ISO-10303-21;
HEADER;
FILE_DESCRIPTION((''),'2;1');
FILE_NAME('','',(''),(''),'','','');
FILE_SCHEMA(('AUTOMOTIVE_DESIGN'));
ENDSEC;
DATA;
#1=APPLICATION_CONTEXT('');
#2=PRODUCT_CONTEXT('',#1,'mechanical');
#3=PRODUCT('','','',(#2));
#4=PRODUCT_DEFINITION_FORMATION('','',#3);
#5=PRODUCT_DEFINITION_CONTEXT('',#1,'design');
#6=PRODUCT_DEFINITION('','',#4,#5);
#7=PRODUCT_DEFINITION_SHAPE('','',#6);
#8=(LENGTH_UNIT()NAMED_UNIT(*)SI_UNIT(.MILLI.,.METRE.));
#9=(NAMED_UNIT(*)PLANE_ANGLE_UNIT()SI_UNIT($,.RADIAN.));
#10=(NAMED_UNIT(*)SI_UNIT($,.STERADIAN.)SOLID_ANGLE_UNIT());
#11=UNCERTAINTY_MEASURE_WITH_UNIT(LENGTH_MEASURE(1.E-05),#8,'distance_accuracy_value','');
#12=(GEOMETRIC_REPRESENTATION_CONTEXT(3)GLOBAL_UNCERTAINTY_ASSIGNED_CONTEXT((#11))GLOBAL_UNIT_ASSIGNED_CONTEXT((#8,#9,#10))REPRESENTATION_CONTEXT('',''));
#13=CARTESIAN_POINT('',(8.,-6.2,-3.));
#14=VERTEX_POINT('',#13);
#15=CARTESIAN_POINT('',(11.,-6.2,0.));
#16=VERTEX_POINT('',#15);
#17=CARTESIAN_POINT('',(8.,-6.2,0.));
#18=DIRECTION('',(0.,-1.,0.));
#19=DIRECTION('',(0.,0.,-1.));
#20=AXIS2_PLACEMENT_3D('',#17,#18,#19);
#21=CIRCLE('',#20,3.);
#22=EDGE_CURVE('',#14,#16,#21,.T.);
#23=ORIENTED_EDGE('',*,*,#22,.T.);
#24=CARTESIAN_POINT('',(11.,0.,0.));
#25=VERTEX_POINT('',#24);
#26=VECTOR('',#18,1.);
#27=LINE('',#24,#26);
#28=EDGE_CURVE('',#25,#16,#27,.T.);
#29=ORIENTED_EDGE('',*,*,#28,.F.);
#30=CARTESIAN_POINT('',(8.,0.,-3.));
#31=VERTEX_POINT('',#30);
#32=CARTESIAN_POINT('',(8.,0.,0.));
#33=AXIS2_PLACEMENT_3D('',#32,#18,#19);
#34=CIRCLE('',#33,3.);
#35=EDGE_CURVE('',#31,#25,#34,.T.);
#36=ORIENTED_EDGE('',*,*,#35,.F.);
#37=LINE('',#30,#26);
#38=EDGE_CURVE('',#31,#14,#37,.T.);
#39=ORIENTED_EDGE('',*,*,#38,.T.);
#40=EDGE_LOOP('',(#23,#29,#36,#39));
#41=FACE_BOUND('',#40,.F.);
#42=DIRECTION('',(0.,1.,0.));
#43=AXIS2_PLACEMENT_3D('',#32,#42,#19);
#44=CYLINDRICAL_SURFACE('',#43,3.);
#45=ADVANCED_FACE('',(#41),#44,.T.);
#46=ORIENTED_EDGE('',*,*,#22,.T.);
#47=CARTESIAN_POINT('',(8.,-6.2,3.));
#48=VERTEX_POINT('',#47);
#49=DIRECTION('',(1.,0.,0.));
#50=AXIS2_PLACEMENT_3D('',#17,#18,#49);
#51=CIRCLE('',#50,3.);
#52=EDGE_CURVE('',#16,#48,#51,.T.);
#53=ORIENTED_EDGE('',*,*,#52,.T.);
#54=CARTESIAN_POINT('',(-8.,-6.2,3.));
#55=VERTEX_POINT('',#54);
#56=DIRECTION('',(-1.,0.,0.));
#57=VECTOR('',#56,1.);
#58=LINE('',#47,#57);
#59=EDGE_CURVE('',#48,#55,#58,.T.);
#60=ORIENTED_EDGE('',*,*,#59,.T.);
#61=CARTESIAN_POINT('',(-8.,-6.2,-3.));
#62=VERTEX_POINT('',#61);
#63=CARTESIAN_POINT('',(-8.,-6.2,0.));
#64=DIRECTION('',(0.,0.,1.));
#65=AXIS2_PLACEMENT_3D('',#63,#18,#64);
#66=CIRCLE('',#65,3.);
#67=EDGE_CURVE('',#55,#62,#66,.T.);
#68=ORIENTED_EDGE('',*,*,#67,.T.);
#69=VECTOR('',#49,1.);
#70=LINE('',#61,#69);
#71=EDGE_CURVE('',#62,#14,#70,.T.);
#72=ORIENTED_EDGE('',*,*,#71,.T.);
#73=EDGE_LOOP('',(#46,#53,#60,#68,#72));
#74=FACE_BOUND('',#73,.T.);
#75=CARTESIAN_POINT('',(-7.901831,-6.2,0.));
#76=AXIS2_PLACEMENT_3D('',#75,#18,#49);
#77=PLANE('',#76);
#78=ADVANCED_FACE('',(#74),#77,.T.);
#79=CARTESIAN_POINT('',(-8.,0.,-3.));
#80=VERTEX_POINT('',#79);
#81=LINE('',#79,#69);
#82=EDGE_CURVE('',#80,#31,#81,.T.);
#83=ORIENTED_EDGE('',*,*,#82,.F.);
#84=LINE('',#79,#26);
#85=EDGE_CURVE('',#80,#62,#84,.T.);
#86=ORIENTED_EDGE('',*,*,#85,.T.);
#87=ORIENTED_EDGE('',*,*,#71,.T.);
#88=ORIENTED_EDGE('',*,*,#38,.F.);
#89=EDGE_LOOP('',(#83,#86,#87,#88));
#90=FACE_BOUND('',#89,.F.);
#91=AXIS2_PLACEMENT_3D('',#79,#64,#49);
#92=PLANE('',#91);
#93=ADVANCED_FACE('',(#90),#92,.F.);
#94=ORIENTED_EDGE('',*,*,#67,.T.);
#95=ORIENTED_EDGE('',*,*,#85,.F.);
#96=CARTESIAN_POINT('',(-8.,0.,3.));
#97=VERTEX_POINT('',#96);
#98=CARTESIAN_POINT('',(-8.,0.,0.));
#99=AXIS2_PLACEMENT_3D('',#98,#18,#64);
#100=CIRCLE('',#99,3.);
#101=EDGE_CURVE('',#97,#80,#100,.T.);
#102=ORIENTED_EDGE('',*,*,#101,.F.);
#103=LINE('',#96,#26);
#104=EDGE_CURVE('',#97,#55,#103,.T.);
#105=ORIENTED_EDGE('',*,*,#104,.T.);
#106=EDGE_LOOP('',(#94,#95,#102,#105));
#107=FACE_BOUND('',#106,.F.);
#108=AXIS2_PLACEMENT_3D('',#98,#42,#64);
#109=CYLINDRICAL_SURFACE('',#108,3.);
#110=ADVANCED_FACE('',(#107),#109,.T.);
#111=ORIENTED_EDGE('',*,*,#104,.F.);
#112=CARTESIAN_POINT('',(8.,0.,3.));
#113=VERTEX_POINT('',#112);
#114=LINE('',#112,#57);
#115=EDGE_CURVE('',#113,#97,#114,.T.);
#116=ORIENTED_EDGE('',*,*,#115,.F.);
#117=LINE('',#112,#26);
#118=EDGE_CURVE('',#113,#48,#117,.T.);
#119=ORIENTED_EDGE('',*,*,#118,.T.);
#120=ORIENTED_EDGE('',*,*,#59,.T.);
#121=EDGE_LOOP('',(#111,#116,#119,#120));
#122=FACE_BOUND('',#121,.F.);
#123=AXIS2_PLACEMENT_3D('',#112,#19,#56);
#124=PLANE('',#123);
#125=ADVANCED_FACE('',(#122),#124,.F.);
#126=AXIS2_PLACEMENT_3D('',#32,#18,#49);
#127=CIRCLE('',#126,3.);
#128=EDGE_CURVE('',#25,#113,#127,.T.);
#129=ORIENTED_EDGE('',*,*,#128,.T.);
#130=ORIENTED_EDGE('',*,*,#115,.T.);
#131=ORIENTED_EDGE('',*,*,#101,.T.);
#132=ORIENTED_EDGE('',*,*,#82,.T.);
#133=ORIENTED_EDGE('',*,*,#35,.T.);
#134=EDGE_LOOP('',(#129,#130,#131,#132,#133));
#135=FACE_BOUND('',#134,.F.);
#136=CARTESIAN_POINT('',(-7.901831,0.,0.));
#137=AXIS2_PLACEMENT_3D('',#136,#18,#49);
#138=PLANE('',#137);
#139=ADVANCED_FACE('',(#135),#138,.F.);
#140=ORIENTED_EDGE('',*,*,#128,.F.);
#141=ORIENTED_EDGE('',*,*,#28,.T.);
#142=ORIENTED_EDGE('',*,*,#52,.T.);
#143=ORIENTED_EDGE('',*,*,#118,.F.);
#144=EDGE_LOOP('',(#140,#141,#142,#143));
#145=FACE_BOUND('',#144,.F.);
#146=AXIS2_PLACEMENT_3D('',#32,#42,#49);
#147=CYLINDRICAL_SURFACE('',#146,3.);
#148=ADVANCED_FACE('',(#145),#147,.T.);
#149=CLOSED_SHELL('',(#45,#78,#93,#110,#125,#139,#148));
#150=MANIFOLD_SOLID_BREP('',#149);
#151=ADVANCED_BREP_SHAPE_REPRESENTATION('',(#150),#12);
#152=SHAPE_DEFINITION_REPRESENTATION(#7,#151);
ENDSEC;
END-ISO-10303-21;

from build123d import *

# Parameters (mm, degrees)
F1_DEPTH = 6.2


with BuildPart() as f1:
    # F0 (on Front) → F1 (new body)
    with BuildSketch(Plane.XZ):
        with BuildLine():
            ThreePointArc((-8, 3), (-11, 0), (-8, -3))
            ThreePointArc((-8, -3), (-5.8786796564, -2.1213203436), (-5, 0))
            ThreePointArc((-5, 0), (-5.8786796564, 2.1213203436), (-8, 3))
        make_face()
        with BuildLine():
            Line((-8, -3), (8, -3))
            ThreePointArc((8, -3), (5, 0), (8, 3))
            Line((8, 3), (-8, 3))
            ThreePointArc((-8, 3), (-5.8786796564, 2.1213203436), (-5, 0))
            ThreePointArc((-5, 0), (-5.8786796564, -2.1213203436), (-8, -3))
        make_face()
        with BuildLine():
            ThreePointArc((8, 3), (5, 0), (8, -3))
            ThreePointArc((8, -3), (10.1213203436, -2.1213203436), (11, 0))
            ThreePointArc((11, 0), (10.1213203436, 2.1213203436), (8, 3))
        make_face()
    extrude(amount=F1_DEPTH)


solid = f1.part
